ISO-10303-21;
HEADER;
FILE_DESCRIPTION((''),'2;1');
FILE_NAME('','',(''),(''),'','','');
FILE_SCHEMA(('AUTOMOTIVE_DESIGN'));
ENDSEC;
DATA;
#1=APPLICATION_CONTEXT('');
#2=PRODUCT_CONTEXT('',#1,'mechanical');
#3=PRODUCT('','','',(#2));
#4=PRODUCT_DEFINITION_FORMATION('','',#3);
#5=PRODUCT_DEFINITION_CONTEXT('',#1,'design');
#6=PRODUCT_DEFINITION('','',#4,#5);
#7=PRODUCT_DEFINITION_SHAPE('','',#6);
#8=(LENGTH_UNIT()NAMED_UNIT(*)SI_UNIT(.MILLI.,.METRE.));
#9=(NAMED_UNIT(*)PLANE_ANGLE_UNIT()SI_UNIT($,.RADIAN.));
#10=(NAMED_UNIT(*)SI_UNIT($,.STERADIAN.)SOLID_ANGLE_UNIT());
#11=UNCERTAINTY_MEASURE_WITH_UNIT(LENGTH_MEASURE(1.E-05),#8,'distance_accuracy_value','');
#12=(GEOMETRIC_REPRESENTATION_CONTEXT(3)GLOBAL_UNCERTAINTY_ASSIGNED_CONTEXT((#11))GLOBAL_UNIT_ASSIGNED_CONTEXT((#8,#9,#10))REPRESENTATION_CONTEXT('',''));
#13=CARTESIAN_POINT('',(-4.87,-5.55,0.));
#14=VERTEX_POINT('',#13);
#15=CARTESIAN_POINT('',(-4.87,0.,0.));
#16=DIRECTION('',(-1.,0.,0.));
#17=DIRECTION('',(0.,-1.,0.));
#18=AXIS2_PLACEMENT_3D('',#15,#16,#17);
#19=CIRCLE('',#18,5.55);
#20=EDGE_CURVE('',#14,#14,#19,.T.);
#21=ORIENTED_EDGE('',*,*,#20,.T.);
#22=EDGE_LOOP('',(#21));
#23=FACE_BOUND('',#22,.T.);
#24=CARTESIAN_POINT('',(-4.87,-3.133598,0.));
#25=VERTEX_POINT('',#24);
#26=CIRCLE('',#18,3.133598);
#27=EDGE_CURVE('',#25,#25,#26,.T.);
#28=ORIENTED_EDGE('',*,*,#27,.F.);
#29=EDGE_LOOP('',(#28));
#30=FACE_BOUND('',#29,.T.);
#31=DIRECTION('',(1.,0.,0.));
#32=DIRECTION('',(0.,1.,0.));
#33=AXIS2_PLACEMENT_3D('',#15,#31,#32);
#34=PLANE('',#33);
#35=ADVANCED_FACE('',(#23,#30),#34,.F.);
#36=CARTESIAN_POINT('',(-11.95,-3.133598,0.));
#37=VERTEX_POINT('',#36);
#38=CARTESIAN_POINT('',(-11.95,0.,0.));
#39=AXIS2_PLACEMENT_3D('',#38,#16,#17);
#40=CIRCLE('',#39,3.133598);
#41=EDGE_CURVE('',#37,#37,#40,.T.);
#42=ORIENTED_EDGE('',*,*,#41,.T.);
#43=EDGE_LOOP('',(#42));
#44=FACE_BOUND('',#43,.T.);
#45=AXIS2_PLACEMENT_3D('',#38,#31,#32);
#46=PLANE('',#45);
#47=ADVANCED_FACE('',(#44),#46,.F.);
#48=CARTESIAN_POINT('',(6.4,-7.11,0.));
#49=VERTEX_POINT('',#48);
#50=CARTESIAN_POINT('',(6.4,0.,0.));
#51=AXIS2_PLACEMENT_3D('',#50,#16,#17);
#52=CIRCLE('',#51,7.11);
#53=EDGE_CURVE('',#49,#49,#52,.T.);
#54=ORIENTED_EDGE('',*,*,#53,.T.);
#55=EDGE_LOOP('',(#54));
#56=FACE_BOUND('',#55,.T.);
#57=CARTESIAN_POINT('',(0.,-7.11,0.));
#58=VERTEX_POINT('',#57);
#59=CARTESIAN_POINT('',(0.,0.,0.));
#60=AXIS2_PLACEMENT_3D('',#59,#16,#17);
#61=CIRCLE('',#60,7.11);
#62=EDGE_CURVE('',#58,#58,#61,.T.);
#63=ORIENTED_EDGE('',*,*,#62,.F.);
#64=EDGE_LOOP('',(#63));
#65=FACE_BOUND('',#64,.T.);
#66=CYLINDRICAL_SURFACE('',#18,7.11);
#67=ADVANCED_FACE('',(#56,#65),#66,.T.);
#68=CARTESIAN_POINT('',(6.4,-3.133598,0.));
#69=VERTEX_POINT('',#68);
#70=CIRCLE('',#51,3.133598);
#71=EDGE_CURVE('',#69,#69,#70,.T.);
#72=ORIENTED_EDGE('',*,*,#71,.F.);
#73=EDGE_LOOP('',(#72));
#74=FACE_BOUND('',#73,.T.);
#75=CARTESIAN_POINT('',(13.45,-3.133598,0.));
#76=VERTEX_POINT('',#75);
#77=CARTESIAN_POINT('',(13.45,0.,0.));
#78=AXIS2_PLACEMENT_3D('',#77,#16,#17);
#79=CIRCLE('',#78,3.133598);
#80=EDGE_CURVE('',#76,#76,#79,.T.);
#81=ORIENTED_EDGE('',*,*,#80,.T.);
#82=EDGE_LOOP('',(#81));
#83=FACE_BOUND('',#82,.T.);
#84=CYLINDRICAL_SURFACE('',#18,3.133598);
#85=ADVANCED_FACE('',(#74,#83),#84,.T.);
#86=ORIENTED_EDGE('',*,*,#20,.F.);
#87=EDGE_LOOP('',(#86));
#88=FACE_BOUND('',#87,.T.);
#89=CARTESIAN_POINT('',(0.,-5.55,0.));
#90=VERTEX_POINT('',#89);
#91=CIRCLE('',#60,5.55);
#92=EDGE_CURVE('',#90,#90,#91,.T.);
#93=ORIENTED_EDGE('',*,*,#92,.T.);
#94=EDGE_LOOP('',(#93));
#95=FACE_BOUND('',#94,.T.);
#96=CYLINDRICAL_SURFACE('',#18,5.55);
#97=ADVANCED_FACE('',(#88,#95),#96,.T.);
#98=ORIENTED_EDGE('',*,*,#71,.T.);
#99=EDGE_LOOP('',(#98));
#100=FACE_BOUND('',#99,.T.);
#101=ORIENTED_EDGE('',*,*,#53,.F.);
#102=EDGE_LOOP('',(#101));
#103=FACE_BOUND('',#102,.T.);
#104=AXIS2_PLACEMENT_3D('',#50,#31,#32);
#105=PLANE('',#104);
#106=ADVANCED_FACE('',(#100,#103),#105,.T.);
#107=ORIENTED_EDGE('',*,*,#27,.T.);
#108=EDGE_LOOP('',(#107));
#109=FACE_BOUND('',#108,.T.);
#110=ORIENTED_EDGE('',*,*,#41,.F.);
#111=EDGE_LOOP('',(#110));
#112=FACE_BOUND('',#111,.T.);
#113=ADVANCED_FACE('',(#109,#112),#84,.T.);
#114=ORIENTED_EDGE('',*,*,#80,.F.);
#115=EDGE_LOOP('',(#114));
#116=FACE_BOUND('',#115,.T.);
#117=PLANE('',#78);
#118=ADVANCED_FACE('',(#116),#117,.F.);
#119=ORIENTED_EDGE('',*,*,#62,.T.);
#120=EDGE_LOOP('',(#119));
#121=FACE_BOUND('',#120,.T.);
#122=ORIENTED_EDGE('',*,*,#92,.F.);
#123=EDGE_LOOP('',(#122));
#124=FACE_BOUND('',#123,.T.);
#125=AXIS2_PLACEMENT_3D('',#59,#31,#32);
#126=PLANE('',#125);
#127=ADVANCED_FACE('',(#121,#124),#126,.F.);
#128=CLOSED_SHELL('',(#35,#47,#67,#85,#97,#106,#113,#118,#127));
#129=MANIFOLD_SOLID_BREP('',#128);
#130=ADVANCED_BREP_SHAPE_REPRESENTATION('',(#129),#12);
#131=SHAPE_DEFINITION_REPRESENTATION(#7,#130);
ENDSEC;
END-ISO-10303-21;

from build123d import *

# Parameters (mm, degrees)
SKETCH1_W   = 7.08
SKETCH1_H   = 3.133597909
SKETCH1_W_2 = 11.27
SKETCH1_W_3 = 7.05


with BuildPart() as part:
    # Sketch1 → Revolve1 (revolve)
    with BuildSketch(Plane.XY, mode=Mode.PRIVATE) as revolve1_sk:
        with Locations((-8.41, 1.566798955)):
            Rectangle(SKETCH1_W, SKETCH1_H)
        with Locations((0.765, 1.566798955)):
            Rectangle(SKETCH1_W_2, SKETCH1_H)
        Polygon((6.4, 7.11), (0, 7.11), (0, 5.55), (-4.87, 5.55), (-4.87, 3.133597909), (6.4, 3.133597909), align=None)
        with Locations((9.925, 1.566798955)):
            Rectangle(SKETCH1_W_3, SKETCH1_H)
    revolve(revolve1_sk.sketch.rotate(Axis((-4.87, 0, 0), (1, 0, 0)), 180), axis=Axis((-4.87, 0, 0), (1, 0, 0)))


solid = part.part
